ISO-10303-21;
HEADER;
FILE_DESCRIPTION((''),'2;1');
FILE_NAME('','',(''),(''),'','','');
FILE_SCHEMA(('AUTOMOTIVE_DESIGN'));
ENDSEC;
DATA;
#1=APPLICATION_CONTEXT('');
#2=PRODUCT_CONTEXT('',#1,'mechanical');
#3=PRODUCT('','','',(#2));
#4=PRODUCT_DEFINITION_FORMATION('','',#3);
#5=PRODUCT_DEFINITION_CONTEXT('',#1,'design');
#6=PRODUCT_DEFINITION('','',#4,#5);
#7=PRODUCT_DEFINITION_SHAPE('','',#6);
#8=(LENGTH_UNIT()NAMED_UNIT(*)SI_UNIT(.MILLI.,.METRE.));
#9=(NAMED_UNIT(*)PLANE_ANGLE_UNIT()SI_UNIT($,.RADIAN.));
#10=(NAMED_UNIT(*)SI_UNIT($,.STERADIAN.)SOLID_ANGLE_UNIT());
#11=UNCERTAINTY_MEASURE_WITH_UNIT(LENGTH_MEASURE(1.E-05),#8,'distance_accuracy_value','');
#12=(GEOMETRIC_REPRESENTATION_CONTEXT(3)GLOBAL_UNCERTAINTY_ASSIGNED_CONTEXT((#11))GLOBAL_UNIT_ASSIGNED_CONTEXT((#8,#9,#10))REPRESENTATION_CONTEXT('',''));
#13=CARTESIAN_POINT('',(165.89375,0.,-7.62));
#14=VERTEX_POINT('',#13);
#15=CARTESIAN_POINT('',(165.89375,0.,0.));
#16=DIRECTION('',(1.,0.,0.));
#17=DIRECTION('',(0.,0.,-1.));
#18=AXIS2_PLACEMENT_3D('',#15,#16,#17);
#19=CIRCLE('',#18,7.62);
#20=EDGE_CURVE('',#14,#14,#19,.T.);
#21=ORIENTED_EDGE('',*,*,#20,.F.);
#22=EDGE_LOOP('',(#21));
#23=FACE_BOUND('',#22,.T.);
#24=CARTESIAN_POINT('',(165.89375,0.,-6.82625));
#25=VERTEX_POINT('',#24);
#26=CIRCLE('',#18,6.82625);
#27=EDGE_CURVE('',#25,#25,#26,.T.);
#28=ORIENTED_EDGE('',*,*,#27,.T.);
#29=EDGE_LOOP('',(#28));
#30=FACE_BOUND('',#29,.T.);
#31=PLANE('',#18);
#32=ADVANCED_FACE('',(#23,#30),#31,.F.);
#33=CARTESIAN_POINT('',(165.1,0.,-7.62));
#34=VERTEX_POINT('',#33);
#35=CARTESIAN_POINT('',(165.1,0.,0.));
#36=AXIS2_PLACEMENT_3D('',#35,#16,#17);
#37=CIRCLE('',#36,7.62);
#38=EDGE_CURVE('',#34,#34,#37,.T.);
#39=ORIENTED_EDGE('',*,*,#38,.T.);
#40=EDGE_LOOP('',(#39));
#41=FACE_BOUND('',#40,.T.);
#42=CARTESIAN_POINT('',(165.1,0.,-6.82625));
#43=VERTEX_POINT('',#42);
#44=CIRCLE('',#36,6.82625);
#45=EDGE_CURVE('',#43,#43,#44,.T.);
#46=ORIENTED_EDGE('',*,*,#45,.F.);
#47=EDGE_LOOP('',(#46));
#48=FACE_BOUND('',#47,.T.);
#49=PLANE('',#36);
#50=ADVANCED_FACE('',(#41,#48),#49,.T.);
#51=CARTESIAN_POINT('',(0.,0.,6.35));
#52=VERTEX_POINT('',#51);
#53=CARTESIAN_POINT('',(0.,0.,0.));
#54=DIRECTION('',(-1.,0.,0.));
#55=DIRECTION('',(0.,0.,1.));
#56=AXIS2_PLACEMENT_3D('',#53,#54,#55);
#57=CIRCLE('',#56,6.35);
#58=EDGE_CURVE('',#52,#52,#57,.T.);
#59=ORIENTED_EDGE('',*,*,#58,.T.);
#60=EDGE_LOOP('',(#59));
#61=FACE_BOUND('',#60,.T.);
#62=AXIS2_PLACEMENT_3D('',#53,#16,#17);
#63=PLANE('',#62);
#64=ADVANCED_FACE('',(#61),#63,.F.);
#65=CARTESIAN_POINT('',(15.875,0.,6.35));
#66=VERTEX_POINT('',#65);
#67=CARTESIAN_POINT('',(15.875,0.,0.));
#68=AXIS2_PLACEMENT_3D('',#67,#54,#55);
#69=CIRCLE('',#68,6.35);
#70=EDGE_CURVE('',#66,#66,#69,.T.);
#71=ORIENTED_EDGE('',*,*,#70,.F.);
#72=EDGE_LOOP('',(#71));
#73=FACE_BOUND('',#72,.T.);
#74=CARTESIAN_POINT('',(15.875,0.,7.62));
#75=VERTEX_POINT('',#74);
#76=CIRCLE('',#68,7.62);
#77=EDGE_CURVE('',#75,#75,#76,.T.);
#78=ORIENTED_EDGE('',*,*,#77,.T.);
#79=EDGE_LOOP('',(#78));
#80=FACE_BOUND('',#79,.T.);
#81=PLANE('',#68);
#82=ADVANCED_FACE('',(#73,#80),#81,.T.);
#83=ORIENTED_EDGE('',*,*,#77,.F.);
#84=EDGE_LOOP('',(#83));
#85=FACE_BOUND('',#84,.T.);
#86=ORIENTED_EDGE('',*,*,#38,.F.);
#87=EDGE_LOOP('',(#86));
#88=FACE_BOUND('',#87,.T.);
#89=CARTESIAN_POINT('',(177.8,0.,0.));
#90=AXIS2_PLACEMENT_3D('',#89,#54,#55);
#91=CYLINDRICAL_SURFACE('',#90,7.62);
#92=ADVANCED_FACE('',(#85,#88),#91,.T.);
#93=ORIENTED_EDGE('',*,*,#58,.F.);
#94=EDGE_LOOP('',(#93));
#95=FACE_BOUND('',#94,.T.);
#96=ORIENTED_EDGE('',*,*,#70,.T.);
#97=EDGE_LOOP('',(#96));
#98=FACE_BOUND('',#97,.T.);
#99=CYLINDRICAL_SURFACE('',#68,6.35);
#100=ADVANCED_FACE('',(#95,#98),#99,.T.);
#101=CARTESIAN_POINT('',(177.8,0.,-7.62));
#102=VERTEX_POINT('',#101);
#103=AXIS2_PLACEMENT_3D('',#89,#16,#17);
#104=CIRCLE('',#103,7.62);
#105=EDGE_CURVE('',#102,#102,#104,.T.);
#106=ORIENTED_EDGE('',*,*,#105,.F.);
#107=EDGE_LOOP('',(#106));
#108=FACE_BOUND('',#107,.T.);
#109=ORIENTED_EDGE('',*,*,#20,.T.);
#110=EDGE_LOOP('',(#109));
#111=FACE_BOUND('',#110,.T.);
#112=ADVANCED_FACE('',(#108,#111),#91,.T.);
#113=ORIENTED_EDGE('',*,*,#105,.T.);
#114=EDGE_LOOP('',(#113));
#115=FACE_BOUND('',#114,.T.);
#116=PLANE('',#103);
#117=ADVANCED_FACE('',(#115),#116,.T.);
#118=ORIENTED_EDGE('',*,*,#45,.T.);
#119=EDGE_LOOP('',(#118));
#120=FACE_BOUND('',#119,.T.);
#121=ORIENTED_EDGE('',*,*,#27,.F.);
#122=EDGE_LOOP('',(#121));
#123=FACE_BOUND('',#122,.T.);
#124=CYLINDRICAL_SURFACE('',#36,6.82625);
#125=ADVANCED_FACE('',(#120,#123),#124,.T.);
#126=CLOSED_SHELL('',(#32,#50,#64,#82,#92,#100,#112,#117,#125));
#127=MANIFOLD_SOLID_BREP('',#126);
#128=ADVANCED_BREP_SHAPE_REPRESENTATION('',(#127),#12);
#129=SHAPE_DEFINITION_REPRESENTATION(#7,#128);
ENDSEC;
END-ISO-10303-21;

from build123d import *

# Parameters (mm, degrees)
SKETCH1_R          = 7.62
BASE_EXTRUDE_DEPTH = 177.8
CUT_EXTRUDE1_START = -0.79375
SKETCH2_R          = 7.62
SKETCH2_R_2        = 6.82625
CUT_EXTRUDE1_DEPTH = 0.79375
SKETCH3_R          = 7.62
SKETCH3_R_2        = 6.35
CUT_EXTRUDE2_DEPTH = 15.875


with BuildPart() as part:
    # Sketch1 → Base-Extrude (new body)
    with BuildSketch(Plane(origin=(0, 0, 0), x_dir=(0, 0, -1), z_dir=(1, 0, 0))):
        Circle(SKETCH1_R)
    extrude(amount=BASE_EXTRUDE_DEPTH)

    # Sketch2 → Cut-Extrude1 (cut)
    with BuildSketch(Plane(origin=(165.89375, 0, 0), x_dir=(0, 0, -1), z_dir=(1, 0, 0)).offset(CUT_EXTRUDE1_START)):
        Circle(SKETCH2_R)
        Circle(SKETCH2_R_2, mode=Mode.SUBTRACT)
    extrude(amount=CUT_EXTRUDE1_DEPTH, mode=Mode.SUBTRACT)

    # Sketch3 → Cut-Extrude2 (cut)
    with BuildSketch(Plane.ZY):
        Circle(SKETCH3_R)
        Circle(SKETCH3_R_2, mode=Mode.SUBTRACT)
    extrude(amount=-CUT_EXTRUDE2_DEPTH, mode=Mode.SUBTRACT)


solid = part.part
